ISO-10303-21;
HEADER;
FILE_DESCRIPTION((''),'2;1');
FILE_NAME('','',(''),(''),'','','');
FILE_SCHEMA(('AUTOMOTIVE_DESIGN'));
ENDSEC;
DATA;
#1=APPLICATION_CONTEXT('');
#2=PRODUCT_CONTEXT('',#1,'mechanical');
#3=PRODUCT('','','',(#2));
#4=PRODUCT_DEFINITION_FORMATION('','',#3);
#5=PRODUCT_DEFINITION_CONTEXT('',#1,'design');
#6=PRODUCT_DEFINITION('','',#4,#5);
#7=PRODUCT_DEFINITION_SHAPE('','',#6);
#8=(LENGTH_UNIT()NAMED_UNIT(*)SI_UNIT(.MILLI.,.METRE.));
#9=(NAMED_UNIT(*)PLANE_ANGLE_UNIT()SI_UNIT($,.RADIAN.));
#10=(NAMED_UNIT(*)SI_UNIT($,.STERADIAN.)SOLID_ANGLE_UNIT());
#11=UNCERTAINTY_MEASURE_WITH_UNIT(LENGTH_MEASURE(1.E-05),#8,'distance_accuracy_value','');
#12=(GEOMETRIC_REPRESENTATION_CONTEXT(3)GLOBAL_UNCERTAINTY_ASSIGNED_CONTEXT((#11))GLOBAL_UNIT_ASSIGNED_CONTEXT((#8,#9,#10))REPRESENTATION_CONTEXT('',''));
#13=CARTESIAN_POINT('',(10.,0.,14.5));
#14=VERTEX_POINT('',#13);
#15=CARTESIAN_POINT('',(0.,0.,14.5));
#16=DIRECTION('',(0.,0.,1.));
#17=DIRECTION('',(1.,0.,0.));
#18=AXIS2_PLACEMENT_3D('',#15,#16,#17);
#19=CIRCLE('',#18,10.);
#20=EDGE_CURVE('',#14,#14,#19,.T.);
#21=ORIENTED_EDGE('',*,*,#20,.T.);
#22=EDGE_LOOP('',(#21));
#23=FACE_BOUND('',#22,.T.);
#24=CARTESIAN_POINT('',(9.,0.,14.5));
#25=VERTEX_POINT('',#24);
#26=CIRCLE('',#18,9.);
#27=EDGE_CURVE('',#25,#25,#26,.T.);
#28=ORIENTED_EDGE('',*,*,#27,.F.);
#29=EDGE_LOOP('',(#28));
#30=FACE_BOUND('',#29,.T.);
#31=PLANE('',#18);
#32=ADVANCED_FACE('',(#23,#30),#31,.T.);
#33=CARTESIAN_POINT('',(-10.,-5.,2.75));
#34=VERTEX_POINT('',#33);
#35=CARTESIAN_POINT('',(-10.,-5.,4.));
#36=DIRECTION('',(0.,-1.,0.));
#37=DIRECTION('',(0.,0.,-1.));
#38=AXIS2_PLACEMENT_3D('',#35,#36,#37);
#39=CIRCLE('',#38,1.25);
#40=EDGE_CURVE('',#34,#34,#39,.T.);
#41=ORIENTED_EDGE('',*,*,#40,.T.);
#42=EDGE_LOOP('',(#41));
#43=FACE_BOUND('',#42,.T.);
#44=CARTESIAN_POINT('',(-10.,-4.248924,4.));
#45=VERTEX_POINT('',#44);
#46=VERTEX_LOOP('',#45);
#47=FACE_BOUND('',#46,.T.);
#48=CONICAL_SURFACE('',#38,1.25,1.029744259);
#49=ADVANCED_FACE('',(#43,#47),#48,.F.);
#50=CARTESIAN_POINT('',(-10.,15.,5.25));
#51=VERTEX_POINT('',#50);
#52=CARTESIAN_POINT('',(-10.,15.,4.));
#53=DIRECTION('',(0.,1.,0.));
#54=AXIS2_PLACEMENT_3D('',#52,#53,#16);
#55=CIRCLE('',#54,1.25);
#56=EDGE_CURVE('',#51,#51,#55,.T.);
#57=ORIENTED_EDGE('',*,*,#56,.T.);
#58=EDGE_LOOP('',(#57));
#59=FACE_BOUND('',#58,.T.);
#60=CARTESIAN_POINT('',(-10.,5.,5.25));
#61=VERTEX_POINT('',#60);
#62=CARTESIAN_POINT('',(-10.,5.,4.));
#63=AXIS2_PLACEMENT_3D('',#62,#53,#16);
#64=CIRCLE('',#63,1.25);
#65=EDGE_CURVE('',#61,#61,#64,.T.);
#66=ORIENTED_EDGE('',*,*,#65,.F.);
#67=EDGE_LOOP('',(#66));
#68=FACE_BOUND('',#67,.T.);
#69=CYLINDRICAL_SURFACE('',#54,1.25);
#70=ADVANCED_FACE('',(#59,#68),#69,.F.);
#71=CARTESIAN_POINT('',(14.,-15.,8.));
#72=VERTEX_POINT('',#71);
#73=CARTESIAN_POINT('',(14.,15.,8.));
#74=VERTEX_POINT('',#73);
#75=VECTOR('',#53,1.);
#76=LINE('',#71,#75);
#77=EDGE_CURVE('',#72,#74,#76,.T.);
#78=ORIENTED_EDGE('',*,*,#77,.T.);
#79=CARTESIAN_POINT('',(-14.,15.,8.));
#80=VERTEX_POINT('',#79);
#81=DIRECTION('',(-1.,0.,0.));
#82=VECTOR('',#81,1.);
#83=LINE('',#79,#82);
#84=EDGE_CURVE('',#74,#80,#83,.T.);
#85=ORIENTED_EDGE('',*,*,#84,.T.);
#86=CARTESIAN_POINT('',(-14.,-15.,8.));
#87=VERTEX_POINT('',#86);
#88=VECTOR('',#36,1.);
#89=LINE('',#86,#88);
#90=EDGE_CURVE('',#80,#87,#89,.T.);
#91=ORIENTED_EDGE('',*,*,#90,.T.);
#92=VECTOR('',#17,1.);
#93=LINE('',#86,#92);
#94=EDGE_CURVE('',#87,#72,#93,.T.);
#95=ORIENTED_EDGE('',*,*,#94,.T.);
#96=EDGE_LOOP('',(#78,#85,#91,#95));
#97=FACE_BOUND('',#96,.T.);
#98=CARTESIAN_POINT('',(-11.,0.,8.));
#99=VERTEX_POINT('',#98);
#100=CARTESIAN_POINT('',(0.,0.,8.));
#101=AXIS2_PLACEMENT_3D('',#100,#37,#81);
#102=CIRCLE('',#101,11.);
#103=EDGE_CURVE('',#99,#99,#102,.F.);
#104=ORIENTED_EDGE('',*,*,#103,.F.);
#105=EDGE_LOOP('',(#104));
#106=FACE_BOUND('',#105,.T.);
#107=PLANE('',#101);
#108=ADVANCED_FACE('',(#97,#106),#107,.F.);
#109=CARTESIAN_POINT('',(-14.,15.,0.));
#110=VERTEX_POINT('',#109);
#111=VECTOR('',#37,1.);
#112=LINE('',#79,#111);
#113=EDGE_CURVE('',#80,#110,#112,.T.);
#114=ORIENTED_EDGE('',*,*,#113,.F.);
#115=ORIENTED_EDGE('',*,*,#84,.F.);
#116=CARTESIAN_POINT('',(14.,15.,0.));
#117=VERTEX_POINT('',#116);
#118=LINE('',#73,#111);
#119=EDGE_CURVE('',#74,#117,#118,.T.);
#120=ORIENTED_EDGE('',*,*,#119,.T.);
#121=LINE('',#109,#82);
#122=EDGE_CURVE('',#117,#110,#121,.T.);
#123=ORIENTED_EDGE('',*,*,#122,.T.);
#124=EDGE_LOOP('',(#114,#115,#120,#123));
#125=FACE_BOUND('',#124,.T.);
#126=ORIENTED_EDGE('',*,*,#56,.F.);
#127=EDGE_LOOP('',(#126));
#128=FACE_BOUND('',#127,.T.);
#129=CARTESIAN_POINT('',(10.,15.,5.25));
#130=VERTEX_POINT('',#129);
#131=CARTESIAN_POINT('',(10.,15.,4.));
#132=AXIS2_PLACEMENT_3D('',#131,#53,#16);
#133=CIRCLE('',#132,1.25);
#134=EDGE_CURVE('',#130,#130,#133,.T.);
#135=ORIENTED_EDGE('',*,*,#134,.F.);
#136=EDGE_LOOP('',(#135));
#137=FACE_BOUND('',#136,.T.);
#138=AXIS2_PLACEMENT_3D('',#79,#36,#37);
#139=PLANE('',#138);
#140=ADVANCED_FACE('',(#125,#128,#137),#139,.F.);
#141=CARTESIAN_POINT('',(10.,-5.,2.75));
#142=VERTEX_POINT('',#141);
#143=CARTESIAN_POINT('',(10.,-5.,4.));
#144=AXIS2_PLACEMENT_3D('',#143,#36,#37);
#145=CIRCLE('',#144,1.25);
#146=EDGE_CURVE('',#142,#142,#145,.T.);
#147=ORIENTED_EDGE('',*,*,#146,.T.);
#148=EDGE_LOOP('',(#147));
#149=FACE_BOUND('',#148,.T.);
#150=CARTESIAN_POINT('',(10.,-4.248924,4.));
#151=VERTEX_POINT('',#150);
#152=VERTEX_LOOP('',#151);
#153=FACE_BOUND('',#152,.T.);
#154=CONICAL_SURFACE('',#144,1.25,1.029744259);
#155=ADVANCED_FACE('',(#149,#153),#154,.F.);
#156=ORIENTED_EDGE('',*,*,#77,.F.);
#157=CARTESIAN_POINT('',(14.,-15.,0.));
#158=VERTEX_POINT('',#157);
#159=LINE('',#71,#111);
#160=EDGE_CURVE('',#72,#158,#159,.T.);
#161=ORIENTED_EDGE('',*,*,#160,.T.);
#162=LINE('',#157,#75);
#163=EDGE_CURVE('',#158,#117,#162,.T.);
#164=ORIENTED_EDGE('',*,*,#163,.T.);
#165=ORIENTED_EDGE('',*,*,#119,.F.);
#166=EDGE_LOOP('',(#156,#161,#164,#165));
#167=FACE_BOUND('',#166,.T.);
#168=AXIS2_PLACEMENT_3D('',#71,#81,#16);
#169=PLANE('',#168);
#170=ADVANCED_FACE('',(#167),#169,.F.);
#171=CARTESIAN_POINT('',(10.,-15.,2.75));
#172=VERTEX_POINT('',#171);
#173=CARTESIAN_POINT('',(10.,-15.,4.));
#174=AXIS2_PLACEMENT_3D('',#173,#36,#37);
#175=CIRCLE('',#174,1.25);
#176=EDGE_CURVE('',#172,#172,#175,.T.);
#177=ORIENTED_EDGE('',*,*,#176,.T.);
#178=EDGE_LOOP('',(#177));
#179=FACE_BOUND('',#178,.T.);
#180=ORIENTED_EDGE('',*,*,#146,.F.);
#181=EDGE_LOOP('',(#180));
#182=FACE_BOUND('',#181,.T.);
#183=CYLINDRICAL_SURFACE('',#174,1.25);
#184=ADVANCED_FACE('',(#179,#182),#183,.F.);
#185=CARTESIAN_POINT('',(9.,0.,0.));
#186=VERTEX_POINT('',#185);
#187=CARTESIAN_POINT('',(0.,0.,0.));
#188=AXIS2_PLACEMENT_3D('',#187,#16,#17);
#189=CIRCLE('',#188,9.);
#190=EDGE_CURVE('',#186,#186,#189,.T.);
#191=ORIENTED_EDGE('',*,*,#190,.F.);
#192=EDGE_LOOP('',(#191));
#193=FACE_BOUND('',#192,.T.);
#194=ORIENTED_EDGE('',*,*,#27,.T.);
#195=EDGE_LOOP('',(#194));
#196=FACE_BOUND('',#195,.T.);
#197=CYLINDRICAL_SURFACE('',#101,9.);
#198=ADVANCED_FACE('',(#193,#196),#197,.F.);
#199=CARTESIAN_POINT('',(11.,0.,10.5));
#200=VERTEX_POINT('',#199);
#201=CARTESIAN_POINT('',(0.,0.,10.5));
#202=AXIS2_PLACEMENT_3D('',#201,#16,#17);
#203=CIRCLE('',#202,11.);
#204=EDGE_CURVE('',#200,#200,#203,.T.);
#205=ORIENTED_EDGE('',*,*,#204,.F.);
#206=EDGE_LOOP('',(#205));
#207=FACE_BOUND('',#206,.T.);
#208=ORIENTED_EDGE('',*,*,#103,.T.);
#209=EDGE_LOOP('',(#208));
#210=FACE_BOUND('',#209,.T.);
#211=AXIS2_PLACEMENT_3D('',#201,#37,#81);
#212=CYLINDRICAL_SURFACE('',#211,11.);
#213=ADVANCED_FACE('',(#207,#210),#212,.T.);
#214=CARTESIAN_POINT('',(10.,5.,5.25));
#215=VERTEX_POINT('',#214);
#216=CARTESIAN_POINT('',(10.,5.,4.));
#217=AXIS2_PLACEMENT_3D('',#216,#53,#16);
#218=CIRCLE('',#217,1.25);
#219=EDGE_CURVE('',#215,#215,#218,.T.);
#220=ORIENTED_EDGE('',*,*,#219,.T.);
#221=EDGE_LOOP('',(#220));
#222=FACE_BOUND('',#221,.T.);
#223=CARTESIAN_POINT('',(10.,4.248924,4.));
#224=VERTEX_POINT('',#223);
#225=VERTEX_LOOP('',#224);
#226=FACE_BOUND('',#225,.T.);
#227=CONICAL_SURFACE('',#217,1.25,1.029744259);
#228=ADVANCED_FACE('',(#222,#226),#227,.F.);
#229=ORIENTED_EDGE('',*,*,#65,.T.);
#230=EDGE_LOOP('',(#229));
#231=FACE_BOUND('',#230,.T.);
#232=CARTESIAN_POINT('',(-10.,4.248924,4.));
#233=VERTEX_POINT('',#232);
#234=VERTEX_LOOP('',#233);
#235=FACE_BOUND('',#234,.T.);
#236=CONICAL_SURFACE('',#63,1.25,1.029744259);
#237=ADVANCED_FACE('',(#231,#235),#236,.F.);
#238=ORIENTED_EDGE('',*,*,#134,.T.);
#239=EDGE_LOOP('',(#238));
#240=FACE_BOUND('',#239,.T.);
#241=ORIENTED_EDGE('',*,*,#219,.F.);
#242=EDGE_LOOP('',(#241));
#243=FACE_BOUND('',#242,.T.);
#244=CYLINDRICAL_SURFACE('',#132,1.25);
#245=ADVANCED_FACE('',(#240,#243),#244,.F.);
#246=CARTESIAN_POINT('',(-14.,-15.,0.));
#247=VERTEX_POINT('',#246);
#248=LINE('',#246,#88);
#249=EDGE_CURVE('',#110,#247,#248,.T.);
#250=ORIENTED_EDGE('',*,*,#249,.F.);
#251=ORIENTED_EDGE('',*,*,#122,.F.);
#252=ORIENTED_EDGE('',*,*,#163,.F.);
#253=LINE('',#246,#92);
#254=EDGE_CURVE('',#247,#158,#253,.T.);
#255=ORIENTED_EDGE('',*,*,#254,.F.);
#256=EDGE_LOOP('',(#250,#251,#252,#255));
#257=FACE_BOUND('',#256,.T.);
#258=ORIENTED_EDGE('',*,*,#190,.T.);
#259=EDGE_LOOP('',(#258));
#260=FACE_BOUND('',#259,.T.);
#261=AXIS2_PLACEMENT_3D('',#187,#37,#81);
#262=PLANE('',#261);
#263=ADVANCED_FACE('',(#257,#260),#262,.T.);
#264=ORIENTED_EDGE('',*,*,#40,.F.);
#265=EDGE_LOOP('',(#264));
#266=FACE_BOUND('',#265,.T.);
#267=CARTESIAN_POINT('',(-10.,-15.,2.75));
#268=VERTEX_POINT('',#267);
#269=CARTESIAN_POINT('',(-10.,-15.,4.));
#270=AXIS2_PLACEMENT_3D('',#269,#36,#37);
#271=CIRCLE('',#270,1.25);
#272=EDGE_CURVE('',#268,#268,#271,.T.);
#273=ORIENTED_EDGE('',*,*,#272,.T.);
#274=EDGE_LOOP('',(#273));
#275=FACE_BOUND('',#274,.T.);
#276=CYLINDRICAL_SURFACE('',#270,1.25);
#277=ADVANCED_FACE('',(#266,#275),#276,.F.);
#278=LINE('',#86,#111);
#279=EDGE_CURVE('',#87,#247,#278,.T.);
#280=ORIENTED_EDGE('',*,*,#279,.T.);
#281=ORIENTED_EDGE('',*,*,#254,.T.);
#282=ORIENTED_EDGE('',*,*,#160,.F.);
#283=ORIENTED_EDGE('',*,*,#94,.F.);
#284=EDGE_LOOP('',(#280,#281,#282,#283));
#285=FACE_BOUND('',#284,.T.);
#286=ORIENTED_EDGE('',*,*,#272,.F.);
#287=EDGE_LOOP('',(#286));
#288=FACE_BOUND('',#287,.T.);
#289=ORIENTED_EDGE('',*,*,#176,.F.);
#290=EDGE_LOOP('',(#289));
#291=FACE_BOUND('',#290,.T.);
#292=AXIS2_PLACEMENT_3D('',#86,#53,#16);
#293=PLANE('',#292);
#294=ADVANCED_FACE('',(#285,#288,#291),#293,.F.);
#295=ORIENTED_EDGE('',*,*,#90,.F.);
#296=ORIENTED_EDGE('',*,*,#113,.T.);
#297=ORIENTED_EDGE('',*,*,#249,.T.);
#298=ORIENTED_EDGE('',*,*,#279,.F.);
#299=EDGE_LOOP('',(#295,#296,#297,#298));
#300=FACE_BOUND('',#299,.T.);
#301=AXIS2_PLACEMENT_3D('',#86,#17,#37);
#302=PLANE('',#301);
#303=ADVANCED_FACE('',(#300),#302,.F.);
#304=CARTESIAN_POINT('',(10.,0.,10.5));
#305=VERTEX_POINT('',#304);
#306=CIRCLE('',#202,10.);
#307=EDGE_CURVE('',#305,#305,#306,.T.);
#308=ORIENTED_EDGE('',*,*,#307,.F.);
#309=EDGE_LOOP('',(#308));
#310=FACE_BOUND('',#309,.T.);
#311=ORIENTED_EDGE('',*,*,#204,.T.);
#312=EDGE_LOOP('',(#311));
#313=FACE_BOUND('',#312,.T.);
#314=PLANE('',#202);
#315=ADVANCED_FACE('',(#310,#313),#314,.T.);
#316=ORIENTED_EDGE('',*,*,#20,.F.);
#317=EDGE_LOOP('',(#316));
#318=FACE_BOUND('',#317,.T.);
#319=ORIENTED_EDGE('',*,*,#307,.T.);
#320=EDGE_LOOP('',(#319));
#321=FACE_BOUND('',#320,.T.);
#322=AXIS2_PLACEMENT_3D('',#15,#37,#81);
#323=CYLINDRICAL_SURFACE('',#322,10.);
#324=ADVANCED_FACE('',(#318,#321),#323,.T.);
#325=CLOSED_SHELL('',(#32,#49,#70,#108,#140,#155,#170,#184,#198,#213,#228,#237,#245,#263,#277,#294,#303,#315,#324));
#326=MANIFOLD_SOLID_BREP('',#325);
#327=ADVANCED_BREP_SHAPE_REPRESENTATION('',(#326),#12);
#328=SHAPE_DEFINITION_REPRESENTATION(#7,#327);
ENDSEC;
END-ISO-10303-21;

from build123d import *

# Parameters (mm, degrees)
SKETCH_1_W             = 28
SKETCH_1_H             = 30
SKETCH_1_R             = 9
EXTRUDE_1_DEPTH        = 8
SKETCH_2_R             = 11
SKETCH_2_R_2           = 9
EXTRUDE_2_DEPTH        = 2.5
SKETCH_3_R             = 10
SKETCH_3_R_2           = 9
EXTRUDE_3_DEPTH        = 4
HOLE_WIZARD_M3_1_D     = 2.5
HOLE_WIZARD_M3_1_DEPTH = 10
HOLE_WIZARD_M3_1_TIP   = 0.751075774
HOLE_WIZARD_M3_2_D     = 2.5
HOLE_WIZARD_M3_2_DEPTH = 10
HOLE_WIZARD_M3_2_TIP   = 0.751075774


with BuildPart() as part:
    # 草图1 → 凸台-拉伸1 (new body)
    with BuildSketch(Plane.XY):
        Rectangle(SKETCH_1_W, SKETCH_1_H)
        Circle(SKETCH_1_R, mode=Mode.SUBTRACT)
    extrude(amount=EXTRUDE_1_DEPTH)

    # 草图2 → 凸台-拉伸2 (add)
    with BuildSketch(Plane.XY.offset(8)):
        with Locations(Location((0, 0, 0), (0, 0, 180))):
            Circle(SKETCH_2_R)
        Circle(SKETCH_2_R_2, mode=Mode.SUBTRACT)
    extrude(amount=EXTRUDE_2_DEPTH)

    # 草图3 → 凸台-拉伸3 (add)
    with BuildSketch(Plane.XY.offset(10.5)):
        Circle(SKETCH_3_R)
        Circle(SKETCH_3_R_2, mode=Mode.SUBTRACT)
    extrude(amount=EXTRUDE_3_DEPTH)

    # M3 螺纹孔1
    with Locations(Plane(origin=(0, 15, 0), x_dir=(1, 0, 0), z_dir=(0, 1, 0))):
        with Locations((-10, -4), (10, -4)):
            Hole(HOLE_WIZARD_M3_1_D / 2, depth=HOLE_WIZARD_M3_1_DEPTH)
            with Locations((0, 0, -(HOLE_WIZARD_M3_1_DEPTH + HOLE_WIZARD_M3_1_TIP / 2))):  # 118° drill point
                Cone(0, HOLE_WIZARD_M3_1_D / 2, HOLE_WIZARD_M3_1_TIP, mode=Mode.SUBTRACT)

    # M3 螺纹孔2
    with Locations(Plane(origin=(0, -15, 0), x_dir=(-1, 0, 0), z_dir=(0, -1, 0))):
        with Locations((-10, -4), (10, -4)):
            Hole(HOLE_WIZARD_M3_2_D / 2, depth=HOLE_WIZARD_M3_2_DEPTH)
            with Locations((0, 0, -(HOLE_WIZARD_M3_2_DEPTH + HOLE_WIZARD_M3_2_TIP / 2))):  # 118° drill point
                Cone(0, HOLE_WIZARD_M3_2_D / 2, HOLE_WIZARD_M3_2_TIP, mode=Mode.SUBTRACT)


solid = part.part
